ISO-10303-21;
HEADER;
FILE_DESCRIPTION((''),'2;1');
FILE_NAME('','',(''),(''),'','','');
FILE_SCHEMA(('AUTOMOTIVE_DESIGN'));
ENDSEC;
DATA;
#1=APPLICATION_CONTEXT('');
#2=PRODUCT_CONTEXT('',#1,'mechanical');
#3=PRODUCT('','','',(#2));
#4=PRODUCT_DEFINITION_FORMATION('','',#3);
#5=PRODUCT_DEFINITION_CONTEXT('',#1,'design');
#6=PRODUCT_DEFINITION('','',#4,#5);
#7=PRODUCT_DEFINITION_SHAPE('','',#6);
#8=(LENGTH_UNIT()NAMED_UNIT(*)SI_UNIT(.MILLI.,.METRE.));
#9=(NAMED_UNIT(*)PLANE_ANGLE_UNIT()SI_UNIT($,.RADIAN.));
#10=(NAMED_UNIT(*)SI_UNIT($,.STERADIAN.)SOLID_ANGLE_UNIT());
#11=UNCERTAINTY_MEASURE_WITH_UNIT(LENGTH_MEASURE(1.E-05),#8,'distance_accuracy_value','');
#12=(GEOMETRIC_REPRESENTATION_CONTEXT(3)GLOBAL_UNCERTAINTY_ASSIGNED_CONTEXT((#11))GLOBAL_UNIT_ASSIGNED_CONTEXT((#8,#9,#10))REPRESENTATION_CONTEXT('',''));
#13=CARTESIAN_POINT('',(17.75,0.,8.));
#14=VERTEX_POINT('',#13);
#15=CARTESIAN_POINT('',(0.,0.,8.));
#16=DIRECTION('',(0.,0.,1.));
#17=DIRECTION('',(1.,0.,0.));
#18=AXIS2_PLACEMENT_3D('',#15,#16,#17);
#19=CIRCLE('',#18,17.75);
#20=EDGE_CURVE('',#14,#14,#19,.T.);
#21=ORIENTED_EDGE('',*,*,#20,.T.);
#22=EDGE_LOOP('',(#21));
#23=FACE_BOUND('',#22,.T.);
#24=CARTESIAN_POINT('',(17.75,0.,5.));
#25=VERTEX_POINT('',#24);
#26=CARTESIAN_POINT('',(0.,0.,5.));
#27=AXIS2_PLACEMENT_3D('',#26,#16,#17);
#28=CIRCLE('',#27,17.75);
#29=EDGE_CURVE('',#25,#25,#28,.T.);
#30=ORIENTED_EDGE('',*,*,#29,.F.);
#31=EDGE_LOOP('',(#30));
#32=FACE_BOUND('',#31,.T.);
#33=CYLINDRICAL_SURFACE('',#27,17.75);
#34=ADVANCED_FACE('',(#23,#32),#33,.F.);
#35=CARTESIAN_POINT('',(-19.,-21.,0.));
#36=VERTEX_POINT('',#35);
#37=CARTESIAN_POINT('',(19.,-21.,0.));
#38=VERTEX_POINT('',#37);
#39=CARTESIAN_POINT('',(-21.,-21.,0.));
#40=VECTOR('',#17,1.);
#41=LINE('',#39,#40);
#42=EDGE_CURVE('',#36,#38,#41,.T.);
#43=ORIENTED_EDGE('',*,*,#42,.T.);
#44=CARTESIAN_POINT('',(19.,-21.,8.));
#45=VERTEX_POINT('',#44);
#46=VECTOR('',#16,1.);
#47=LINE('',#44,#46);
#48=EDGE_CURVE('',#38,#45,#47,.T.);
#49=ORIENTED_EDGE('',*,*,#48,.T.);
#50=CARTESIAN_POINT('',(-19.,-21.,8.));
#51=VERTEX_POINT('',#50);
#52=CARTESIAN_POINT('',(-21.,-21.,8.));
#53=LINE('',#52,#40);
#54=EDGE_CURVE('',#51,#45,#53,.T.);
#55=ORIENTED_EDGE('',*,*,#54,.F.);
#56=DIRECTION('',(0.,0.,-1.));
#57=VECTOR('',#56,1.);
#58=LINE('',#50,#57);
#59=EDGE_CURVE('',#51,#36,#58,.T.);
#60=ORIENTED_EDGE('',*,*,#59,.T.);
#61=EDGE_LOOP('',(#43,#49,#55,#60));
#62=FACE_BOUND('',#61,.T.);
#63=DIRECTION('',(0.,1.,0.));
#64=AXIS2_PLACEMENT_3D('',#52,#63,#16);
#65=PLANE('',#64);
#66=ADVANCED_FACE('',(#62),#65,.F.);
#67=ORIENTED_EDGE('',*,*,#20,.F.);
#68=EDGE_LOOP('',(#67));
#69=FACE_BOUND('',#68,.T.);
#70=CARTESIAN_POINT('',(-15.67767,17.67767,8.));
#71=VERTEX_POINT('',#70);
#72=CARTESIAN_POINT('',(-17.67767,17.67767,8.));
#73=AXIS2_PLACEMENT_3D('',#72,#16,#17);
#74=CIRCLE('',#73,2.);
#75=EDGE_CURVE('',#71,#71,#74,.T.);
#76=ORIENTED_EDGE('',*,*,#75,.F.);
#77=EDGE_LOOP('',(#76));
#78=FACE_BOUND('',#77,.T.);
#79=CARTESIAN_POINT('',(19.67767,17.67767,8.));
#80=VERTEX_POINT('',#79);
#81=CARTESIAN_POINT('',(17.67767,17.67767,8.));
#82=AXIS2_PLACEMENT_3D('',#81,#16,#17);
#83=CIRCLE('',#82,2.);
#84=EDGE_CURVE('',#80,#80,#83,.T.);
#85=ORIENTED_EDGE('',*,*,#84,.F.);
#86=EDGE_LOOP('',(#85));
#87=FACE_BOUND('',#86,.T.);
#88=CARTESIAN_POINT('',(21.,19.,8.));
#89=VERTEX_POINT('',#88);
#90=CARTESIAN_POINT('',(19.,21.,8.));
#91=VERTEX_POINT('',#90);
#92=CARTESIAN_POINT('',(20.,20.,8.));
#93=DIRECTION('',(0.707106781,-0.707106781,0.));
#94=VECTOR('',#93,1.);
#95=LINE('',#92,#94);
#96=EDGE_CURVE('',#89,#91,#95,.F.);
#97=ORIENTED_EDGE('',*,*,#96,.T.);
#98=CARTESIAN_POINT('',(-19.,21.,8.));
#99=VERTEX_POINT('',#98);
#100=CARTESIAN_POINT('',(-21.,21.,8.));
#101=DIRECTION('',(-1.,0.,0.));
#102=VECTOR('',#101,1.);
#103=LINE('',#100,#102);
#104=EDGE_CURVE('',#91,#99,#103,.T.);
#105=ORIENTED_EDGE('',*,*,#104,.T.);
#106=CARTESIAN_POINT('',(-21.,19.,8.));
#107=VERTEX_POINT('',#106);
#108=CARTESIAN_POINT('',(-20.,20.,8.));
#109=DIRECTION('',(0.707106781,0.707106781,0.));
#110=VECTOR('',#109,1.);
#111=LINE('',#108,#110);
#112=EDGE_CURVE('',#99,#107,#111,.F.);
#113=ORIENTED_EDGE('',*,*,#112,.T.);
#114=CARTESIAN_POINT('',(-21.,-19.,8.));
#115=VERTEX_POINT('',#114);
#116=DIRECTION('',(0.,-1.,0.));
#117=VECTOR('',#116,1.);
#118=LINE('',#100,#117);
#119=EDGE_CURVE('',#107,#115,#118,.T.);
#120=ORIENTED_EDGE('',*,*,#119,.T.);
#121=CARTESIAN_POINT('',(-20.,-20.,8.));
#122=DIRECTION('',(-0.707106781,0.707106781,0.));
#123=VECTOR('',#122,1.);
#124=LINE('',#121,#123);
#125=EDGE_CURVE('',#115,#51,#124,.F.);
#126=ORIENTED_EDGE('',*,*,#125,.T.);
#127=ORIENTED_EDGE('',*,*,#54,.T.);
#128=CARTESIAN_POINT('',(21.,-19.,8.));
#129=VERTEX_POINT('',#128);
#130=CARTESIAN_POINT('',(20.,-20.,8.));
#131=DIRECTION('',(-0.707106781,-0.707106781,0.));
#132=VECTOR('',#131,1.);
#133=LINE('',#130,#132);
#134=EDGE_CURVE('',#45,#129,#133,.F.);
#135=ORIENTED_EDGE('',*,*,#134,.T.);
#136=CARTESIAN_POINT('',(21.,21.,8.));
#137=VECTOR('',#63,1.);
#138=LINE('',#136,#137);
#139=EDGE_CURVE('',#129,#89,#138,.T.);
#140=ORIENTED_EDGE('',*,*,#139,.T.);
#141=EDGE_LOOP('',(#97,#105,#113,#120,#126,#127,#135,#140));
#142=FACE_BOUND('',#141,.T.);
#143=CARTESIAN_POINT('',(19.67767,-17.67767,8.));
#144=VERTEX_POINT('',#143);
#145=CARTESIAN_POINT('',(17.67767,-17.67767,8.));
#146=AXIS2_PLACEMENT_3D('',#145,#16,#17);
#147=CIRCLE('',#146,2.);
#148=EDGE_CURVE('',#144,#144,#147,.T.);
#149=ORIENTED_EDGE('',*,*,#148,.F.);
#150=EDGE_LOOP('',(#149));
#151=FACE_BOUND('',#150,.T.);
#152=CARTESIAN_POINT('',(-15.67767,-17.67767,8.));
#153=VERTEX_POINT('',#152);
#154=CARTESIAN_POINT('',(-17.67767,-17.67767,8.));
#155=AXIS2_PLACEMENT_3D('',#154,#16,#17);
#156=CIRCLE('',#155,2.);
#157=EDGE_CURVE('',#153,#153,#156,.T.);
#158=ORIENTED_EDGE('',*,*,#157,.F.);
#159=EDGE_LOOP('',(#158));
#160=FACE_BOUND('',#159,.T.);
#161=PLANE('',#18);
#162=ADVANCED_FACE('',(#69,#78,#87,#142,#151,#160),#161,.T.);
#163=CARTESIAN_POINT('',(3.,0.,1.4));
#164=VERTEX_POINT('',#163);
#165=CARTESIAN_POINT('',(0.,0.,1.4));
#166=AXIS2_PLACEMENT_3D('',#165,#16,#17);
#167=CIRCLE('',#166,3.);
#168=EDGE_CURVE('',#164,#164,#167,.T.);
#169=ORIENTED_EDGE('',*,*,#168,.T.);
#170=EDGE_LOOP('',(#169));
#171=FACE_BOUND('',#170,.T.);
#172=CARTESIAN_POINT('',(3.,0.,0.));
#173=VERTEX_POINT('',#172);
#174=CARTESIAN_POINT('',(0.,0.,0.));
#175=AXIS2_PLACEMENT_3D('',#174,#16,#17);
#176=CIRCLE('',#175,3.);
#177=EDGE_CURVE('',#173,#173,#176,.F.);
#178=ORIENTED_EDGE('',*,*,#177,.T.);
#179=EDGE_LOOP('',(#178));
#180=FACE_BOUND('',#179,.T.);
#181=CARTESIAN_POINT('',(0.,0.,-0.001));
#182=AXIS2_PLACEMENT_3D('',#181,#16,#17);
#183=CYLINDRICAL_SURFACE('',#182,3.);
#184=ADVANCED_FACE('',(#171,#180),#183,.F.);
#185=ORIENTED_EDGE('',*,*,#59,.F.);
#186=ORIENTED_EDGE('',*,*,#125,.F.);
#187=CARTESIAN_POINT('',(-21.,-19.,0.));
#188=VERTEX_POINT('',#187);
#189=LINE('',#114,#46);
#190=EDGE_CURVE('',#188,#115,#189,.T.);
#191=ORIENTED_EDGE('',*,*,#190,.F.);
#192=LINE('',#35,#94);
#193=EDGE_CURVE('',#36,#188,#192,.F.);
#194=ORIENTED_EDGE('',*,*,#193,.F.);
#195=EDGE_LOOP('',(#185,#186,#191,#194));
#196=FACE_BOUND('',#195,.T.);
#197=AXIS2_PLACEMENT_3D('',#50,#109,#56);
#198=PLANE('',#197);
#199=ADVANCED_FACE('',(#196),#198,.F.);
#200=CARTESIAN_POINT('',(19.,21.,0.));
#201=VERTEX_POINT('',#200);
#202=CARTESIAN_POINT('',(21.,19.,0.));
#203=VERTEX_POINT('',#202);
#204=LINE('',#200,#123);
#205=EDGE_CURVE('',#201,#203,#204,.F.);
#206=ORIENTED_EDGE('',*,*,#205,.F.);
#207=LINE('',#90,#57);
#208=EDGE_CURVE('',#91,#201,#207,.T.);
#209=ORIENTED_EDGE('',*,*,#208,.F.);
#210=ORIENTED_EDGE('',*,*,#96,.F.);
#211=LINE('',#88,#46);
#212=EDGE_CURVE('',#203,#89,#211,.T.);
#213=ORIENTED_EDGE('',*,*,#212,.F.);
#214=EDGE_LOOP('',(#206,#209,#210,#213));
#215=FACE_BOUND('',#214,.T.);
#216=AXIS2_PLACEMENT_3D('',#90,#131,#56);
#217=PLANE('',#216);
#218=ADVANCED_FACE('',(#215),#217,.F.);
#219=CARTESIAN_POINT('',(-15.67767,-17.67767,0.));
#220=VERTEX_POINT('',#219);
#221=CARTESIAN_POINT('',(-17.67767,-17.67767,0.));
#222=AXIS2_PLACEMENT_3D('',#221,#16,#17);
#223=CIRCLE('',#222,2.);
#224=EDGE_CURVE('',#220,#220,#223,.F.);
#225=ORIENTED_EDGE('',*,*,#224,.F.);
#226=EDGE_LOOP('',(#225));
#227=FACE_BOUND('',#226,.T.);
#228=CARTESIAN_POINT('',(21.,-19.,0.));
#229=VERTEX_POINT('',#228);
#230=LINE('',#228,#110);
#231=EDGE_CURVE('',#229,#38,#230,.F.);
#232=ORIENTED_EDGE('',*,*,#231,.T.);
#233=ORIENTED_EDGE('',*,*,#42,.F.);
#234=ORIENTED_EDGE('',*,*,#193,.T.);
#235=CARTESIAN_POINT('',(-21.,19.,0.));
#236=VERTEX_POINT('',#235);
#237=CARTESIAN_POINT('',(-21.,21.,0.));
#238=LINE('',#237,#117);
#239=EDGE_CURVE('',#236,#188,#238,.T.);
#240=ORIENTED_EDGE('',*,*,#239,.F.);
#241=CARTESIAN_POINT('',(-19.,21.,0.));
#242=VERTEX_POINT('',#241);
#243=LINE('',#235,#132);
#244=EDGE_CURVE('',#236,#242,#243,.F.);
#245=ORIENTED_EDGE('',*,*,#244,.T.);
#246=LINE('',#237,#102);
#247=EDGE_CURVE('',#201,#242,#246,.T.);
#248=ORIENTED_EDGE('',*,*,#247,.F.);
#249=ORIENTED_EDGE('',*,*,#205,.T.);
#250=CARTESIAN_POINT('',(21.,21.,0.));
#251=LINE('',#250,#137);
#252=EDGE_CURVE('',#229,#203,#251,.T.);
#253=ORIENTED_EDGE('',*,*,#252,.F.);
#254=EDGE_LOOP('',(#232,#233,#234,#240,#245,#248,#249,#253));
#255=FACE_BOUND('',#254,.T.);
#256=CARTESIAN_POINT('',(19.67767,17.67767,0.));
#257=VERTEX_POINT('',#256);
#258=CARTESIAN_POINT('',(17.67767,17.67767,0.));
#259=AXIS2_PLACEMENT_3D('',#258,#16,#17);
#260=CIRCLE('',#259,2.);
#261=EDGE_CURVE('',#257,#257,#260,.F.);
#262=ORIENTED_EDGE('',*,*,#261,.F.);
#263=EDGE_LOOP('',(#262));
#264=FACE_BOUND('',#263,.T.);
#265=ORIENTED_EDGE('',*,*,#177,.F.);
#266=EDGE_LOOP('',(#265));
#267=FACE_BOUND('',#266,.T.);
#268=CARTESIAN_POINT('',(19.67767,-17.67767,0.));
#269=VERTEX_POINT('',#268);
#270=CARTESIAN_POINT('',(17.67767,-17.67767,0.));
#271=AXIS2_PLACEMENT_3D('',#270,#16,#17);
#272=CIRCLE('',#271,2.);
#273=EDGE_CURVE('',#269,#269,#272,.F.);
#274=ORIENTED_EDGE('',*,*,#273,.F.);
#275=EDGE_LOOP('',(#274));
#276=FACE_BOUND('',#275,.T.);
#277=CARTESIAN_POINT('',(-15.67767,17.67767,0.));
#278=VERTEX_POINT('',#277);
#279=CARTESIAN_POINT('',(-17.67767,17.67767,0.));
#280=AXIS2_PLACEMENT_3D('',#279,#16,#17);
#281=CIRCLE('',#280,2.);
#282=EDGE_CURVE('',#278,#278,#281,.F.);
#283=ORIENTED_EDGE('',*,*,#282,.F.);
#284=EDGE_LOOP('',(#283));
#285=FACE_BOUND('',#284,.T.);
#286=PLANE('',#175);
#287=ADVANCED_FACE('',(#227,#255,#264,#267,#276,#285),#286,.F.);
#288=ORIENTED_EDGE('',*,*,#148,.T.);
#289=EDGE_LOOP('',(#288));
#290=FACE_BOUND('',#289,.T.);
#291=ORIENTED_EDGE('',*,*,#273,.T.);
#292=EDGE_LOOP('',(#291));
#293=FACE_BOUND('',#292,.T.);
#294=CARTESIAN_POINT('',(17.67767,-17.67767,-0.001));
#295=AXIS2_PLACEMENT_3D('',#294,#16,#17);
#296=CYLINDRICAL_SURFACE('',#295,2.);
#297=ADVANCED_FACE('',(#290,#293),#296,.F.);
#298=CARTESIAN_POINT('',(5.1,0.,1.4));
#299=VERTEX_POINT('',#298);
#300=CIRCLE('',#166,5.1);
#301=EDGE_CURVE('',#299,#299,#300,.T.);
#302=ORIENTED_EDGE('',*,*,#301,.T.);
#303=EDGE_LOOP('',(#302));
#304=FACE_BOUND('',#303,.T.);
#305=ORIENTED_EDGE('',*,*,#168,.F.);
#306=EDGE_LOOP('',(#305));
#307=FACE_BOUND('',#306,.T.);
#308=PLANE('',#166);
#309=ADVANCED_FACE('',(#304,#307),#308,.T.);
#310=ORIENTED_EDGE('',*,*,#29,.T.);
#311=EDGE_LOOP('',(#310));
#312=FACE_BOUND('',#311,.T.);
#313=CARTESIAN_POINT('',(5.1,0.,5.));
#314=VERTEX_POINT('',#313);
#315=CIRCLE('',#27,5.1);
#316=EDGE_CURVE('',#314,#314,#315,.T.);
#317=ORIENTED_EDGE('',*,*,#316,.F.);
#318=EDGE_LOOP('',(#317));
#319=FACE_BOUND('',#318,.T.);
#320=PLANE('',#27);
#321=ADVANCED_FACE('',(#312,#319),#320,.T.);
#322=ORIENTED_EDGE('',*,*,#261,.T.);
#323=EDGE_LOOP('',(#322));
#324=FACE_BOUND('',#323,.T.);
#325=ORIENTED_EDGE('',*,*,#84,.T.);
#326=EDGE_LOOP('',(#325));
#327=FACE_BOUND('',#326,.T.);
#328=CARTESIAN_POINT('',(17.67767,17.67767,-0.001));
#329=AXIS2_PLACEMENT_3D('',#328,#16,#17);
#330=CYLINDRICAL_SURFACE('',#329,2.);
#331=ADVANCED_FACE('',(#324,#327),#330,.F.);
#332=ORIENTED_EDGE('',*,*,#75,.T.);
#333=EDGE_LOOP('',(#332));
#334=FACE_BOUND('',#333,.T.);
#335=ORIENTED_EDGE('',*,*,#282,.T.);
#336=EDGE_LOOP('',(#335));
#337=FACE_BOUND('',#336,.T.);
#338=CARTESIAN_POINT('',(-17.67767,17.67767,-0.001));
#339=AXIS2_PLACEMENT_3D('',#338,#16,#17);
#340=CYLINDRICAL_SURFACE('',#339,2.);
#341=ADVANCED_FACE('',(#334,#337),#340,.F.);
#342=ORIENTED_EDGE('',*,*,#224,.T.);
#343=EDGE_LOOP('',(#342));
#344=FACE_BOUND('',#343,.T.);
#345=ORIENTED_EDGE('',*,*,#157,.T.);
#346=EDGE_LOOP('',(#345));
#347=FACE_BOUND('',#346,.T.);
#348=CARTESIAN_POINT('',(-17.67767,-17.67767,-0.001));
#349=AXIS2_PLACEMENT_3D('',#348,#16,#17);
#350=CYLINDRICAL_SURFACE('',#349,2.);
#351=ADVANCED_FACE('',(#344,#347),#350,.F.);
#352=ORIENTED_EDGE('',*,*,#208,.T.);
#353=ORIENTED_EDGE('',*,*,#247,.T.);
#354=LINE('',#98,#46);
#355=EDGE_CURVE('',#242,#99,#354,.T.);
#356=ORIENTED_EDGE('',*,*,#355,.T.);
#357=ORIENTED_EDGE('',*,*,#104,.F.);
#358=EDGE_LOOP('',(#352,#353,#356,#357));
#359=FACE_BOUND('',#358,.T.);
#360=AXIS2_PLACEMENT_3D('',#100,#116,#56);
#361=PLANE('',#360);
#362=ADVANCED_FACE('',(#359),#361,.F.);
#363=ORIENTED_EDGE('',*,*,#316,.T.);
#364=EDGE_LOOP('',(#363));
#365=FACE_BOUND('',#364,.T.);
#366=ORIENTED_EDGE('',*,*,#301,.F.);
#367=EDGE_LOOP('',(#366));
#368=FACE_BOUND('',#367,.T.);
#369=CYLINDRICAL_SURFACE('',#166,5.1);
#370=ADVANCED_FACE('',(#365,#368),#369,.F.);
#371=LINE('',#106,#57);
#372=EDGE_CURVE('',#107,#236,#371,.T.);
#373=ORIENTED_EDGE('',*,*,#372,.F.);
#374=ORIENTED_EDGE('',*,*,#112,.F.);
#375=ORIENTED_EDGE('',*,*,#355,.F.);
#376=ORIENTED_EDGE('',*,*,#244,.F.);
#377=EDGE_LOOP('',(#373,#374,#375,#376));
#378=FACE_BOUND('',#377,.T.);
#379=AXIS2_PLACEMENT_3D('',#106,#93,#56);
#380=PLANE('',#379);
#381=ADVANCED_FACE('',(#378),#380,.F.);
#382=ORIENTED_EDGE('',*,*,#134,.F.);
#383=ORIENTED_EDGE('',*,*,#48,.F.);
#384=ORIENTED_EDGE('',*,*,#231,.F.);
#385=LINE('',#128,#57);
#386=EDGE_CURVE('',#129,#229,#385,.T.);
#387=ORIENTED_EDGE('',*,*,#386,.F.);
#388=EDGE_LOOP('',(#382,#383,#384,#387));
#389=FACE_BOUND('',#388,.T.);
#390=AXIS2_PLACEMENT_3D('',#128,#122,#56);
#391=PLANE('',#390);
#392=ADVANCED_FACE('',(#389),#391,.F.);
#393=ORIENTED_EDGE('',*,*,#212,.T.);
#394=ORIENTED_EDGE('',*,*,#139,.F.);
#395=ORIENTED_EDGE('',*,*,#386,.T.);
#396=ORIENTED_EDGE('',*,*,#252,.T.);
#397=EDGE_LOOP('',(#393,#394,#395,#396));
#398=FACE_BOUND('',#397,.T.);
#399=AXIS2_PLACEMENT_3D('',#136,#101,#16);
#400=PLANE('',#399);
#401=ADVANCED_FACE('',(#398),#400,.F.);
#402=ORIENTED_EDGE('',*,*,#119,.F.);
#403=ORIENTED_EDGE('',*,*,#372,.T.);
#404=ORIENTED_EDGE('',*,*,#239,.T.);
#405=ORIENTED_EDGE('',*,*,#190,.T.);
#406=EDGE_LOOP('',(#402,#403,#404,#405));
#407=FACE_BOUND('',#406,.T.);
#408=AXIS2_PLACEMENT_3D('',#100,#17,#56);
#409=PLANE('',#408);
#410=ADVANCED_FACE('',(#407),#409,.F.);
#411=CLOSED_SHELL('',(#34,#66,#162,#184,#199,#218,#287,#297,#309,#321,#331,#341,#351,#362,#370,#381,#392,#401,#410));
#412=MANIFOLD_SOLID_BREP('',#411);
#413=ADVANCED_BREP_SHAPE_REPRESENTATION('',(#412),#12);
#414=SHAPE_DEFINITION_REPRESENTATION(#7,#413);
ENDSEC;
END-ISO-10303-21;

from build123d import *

# Parameters (mm, degrees)
SKETCH_1_W          = 42
SKETCH_1_H          = 42
EXTRUDE_1_DEPTH     = 8
CUT_EXTRUDE_1_REACH = 10
SKETCH_2_R          = 2
SKETCH_3_R          = 17.75
CUT_EXTRUDE_2_DEPTH = 3
SKETCH_4_R          = 5.1
CUT_EXTRUDE_3_DEPTH = 3.6
CUT_EXTRUDE_4_REACH = 3.4
SKETCH_5_R          = 3
CHAMFER_1_SIZE      = 2


with BuildPart() as part:
    # 草图1 → 凸台-拉伸1 (new body)
    with BuildSketch(Plane.XY):
        Rectangle(SKETCH_1_W, SKETCH_1_H)
    extrude(amount=EXTRUDE_1_DEPTH)

    # 草图2 → 切除-拉伸1 (cut, up to next)
    with BuildSketch(Plane.XY.offset(8), mode=Mode.PRIVATE) as cut_extrude_1_sk1:
        with Locations((-17.67766953, 17.67766953)):
            Circle(SKETCH_2_R)
    cut_extrude_1_tool1 = extrude(cut_extrude_1_sk1.sketch, amount=-CUT_EXTRUDE_1_REACH, mode=Mode.PRIVATE) & part.part
    add(cut_extrude_1_tool1.solids().sort_by_distance((-17.67767, 17.67767, 8))[0], mode=Mode.SUBTRACT)
    # 草图2 → 切除-拉伸1 (cut, up to next)
    with BuildSketch(Plane.XY.offset(8), mode=Mode.PRIVATE) as cut_extrude_1_sk2:
        with Locations((17.67766953, 17.67766953)):
            Circle(SKETCH_2_R)
    cut_extrude_1_tool2 = extrude(cut_extrude_1_sk2.sketch, amount=-CUT_EXTRUDE_1_REACH, mode=Mode.PRIVATE) & part.part
    add(cut_extrude_1_tool2.solids().sort_by_distance((17.67767, 17.67767, 8))[0], mode=Mode.SUBTRACT)
    # 草图2 → 切除-拉伸1 (cut, up to next)
    with BuildSketch(Plane.XY.offset(8), mode=Mode.PRIVATE) as cut_extrude_1_sk3:
        with Locations((17.67766953, -17.67766953)):
            Circle(SKETCH_2_R)
    cut_extrude_1_tool3 = extrude(cut_extrude_1_sk3.sketch, amount=-CUT_EXTRUDE_1_REACH, mode=Mode.PRIVATE) & part.part
    add(cut_extrude_1_tool3.solids().sort_by_distance((17.67767, -17.67767, 8))[0], mode=Mode.SUBTRACT)
    # 草图2 → 切除-拉伸1 (cut, up to next)
    with BuildSketch(Plane.XY.offset(8), mode=Mode.PRIVATE) as cut_extrude_1_sk4:
        with Locations((-17.67766953, -17.67766953)):
            Circle(SKETCH_2_R)
    cut_extrude_1_tool4 = extrude(cut_extrude_1_sk4.sketch, amount=-CUT_EXTRUDE_1_REACH, mode=Mode.PRIVATE) & part.part
    add(cut_extrude_1_tool4.solids().sort_by_distance((-17.67767, -17.67767, 8))[0], mode=Mode.SUBTRACT)

    # 草图3 → 切除-拉伸2 (cut)
    with BuildSketch(Plane.XY.offset(8)):
        Circle(SKETCH_3_R)
    extrude(amount=-CUT_EXTRUDE_2_DEPTH, mode=Mode.SUBTRACT)

    # 草图4 → 切除-拉伸3 (cut)
    with BuildSketch(Plane.XY.offset(5)):
        Circle(SKETCH_4_R)
    extrude(amount=-CUT_EXTRUDE_3_DEPTH, mode=Mode.SUBTRACT)

    # 草图5 → 切除-拉伸4 (cut, up to next)
    with BuildSketch(Plane.XY.offset(1.4), mode=Mode.PRIVATE) as cut_extrude_4_sk1:
        Circle(SKETCH_5_R)
    cut_extrude_4_tool1 = extrude(cut_extrude_4_sk1.sketch, amount=-CUT_EXTRUDE_4_REACH, mode=Mode.PRIVATE) & part.part
    add(cut_extrude_4_tool1.solids().sort_by_distance((0, 0, 1.4))[0], mode=Mode.SUBTRACT)

    # 倒角1
    chamfer_1_edges = [part.edges().sort_by_distance(p)[0] for p in [
        (21, -21, 4),
        (-21, -21, 4),
        (-21, 21, 4),
        (21, 21, 4),
    ]]
    chamfer(chamfer_1_edges, length=CHAMFER_1_SIZE)


solid = part.part
